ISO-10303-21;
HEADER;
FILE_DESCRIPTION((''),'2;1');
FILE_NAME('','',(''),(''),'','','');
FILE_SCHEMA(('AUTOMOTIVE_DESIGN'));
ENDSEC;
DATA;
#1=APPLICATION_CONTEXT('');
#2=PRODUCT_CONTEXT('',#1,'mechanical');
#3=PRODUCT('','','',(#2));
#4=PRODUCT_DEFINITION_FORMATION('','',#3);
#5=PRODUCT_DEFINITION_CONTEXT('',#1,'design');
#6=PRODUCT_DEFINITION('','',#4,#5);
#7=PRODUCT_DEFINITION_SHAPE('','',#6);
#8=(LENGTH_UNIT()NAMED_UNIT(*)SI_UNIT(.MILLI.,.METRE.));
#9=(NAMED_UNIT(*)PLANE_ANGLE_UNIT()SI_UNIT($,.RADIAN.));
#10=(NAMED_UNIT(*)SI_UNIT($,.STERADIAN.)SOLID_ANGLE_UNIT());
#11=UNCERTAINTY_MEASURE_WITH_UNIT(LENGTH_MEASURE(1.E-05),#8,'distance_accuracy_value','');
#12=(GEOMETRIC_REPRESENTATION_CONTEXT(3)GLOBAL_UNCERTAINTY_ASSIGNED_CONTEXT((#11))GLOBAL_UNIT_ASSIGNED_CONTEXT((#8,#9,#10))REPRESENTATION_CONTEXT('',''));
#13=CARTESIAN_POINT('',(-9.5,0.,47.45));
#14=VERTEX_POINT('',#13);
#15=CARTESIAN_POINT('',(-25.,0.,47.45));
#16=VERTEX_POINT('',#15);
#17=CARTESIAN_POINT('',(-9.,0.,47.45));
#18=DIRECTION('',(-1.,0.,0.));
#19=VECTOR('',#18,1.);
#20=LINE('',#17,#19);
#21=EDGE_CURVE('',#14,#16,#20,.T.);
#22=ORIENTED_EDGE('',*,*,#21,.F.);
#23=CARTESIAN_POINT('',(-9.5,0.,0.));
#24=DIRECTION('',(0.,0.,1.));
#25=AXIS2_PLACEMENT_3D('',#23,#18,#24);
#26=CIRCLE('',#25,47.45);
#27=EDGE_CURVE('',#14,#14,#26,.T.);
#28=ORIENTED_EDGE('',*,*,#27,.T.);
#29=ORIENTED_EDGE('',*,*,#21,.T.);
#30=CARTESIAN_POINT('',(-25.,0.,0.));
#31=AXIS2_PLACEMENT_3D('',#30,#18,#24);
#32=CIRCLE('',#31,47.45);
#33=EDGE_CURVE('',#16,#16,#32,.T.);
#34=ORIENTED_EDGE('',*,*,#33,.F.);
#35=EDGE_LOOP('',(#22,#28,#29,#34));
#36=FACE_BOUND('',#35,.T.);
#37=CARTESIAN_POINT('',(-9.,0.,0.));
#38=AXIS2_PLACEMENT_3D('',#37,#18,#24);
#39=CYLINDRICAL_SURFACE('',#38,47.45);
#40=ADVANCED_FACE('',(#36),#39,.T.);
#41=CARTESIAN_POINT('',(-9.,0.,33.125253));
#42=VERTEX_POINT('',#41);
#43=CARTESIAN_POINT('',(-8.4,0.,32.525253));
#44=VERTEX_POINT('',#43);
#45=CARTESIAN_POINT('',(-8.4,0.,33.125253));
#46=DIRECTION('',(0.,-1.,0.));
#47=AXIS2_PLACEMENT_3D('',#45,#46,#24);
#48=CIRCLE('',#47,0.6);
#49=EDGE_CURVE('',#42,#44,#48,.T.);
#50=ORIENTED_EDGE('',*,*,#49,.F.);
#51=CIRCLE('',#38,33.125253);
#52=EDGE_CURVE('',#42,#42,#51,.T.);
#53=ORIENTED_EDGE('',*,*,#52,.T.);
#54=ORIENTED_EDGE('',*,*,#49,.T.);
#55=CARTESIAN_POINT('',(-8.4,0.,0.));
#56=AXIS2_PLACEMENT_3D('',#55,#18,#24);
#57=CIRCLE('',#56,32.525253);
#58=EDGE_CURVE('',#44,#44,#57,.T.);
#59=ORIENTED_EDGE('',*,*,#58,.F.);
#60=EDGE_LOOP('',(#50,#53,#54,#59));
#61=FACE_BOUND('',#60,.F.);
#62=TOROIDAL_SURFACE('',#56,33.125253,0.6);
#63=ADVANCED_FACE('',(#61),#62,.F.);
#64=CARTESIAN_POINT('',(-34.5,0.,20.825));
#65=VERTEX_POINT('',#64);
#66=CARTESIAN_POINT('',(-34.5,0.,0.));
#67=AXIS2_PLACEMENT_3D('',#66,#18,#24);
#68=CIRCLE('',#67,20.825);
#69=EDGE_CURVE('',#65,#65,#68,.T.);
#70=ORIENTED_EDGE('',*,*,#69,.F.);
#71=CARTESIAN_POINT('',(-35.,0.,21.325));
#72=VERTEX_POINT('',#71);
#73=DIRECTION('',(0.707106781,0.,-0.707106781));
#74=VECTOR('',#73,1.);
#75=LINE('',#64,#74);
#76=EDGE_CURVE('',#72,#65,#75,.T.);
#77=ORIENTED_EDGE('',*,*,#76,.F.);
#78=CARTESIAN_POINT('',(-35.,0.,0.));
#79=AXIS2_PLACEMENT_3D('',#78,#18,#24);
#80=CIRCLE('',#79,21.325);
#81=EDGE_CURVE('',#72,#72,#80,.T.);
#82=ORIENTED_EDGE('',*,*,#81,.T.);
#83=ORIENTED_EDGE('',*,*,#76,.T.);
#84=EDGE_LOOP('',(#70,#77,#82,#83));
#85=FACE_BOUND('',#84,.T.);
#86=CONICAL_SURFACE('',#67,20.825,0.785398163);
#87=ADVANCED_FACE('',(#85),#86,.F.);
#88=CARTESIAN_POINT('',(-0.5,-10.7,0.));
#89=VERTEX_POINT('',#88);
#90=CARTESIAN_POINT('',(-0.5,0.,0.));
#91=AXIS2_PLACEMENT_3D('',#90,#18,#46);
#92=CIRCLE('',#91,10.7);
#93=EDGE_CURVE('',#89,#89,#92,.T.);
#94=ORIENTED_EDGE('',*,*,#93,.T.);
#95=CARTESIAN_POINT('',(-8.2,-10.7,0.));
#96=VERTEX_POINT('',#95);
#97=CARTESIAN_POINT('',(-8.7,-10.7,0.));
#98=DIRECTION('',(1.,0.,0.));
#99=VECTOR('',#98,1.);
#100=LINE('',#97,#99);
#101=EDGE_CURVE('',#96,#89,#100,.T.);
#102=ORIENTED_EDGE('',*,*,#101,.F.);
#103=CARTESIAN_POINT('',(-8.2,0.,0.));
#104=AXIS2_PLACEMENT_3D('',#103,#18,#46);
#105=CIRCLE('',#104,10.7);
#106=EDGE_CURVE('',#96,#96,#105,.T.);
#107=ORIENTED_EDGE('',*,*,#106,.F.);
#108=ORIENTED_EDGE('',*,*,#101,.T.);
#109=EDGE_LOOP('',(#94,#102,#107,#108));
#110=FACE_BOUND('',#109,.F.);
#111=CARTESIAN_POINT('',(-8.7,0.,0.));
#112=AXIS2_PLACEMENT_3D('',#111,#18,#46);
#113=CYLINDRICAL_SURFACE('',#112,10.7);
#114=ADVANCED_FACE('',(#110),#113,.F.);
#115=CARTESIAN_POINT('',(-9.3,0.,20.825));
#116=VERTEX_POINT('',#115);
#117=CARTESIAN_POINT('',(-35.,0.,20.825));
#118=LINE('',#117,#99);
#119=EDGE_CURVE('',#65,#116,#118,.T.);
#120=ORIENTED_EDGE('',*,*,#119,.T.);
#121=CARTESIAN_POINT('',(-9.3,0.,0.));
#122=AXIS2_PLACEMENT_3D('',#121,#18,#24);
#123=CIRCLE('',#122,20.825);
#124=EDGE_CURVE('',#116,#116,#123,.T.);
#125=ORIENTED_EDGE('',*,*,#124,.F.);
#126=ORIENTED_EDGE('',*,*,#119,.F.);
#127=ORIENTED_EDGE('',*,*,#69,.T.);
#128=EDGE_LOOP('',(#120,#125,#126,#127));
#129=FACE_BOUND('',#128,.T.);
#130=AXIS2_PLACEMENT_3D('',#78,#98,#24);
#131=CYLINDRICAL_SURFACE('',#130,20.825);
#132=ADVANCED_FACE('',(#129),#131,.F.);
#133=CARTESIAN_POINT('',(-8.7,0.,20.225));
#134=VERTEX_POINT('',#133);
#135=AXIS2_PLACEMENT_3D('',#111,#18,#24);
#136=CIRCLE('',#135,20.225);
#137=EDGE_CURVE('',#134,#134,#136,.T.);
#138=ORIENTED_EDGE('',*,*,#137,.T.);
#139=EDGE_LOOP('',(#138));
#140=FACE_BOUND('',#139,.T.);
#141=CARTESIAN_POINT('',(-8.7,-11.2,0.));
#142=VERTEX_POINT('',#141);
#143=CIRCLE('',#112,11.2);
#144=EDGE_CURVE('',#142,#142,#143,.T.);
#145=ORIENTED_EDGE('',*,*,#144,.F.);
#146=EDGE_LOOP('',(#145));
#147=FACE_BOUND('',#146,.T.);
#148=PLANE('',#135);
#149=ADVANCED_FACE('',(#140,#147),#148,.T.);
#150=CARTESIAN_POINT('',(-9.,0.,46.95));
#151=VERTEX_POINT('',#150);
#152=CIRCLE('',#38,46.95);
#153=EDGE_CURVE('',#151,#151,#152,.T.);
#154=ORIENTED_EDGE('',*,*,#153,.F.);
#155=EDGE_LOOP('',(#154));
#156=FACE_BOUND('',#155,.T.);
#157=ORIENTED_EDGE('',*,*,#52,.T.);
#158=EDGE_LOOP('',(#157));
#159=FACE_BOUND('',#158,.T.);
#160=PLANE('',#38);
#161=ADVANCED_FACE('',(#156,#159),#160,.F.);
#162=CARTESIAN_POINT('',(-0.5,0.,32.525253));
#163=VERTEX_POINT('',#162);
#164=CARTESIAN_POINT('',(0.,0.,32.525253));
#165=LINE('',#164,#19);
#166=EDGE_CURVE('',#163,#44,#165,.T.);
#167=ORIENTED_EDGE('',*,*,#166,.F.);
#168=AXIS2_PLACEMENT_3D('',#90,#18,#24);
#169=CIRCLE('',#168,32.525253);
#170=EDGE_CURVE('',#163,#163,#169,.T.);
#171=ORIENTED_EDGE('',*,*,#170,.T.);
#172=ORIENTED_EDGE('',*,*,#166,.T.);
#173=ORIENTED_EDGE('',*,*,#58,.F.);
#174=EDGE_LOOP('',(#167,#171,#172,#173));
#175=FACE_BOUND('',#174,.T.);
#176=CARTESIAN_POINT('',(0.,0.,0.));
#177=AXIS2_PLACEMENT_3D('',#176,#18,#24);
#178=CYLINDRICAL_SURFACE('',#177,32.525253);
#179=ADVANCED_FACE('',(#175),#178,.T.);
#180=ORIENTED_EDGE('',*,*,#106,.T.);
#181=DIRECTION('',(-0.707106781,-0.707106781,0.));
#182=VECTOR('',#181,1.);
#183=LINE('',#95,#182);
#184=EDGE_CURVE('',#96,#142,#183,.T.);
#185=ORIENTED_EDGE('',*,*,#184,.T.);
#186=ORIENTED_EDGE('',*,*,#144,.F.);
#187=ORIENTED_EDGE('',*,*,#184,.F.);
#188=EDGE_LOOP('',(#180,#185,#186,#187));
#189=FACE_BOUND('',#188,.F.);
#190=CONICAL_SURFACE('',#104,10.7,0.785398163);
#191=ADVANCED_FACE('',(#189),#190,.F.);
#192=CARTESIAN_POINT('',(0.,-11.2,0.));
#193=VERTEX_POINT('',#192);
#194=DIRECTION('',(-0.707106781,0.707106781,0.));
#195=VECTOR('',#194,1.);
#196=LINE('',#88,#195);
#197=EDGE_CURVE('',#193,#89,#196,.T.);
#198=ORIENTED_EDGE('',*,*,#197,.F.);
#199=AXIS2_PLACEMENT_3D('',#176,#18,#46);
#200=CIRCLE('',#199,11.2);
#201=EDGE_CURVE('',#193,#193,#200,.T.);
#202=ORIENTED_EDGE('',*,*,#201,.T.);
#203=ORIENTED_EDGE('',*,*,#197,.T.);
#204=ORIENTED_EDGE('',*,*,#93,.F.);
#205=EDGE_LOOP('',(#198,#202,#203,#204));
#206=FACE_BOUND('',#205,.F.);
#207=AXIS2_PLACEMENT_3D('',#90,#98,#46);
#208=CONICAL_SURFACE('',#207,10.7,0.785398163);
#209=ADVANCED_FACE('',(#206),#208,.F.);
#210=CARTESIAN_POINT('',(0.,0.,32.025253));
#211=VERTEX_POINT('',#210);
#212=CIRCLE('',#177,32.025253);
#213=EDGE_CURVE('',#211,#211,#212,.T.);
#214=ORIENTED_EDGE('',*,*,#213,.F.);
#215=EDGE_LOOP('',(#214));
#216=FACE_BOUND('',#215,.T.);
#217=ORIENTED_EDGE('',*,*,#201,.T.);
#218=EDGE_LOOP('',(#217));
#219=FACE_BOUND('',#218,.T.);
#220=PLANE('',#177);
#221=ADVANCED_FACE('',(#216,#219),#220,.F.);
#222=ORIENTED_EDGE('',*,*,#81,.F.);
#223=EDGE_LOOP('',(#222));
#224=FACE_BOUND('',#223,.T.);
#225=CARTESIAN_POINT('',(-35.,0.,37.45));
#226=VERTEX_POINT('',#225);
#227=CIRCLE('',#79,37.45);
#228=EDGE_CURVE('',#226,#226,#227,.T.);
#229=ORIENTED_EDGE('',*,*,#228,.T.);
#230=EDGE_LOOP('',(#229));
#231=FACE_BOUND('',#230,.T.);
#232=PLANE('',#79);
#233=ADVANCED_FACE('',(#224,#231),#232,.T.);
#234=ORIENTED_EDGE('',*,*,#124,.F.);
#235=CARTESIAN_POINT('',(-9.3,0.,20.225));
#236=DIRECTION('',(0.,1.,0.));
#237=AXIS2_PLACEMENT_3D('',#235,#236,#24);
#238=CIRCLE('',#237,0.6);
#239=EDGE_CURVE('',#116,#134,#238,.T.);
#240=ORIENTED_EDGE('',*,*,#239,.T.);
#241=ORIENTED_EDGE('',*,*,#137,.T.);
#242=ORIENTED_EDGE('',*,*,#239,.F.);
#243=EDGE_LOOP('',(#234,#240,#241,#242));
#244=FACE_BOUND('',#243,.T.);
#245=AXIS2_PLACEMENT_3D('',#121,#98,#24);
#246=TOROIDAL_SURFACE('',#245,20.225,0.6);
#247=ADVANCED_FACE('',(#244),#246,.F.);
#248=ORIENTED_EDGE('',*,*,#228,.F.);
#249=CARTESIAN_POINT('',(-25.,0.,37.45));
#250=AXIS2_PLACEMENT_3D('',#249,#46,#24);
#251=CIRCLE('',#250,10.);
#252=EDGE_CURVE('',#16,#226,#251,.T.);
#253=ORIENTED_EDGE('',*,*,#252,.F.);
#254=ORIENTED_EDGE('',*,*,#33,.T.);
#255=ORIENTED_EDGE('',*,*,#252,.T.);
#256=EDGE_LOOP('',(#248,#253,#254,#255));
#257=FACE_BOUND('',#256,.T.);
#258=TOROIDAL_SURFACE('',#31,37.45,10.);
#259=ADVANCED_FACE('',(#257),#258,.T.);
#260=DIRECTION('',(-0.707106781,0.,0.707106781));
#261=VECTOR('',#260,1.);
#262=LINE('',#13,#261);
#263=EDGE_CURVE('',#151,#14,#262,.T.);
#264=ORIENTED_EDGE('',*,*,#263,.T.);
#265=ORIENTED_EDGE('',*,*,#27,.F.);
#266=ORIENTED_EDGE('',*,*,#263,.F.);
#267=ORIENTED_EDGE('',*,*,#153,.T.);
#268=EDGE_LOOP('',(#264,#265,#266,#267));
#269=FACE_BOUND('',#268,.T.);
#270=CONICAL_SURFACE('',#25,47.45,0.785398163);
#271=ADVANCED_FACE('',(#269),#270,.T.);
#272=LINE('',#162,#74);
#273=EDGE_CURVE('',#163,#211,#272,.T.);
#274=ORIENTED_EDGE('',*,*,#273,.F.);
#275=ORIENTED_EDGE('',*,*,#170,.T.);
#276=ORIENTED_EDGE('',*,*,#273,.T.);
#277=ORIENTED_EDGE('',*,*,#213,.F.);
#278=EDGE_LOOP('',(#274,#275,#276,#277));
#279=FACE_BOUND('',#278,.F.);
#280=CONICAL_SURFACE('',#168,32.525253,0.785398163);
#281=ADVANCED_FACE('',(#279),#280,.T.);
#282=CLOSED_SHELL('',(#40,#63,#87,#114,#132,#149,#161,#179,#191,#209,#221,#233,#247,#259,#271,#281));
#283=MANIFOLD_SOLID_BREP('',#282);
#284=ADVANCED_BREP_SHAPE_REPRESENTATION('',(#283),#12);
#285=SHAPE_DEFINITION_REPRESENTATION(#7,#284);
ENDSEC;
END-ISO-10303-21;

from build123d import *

# Parameters (mm, degrees)
F2_R     = 10
F3_R     = 10.7
F4_DEPTH = 8.7
F5_R     = 0.6
F6_SIZE  = 0.5


with BuildPart() as f1:
    # F0 (on Front) → F1 (revolve)
    with BuildSketch(Plane.XZ):
        Polygon((-8.7, 0), (0, 0), (0, 32.525253), (-9, 32.525253), (-9, 47.45), (-35, 47.45), (-35, 20.825), (-8.7, 20.825), align=None)
    revolve(axis=Axis((-4.35, 0, 0), (-1, 0, 0)))

    # F2
    f2_edges = [f1.edges().sort_by_distance(p)[0] for p in [
        (-35, 0, -47.45),
    ]]
    fillet(f2_edges, radius=F2_R)

    # F3 (on face) → F4 (cut, through all)
    with BuildSketch(Plane(origin=(-8.7, 0, 0), x_dir=(0, -1, 0), z_dir=(-1, 0, 0))):
        Circle(F3_R)
    extrude(amount=-F4_DEPTH, mode=Mode.SUBTRACT)

    # F5
    f5_edges = [f1.edges().sort_by_distance(p)[0] for p in [
        (-8.7, 0, -20.825),
        (-9, 0, -32.525253),
    ]]
    fillet(f5_edges, radius=F5_R)

    # F6
    f6_edges = [f1.edges().sort_by_distance(p)[0] for p in [
        (-9, 0, -47.45),
        (0, 0, -32.525253),
        (0, 10.7, 0),
        (-8.7, 10.7, 0),
        (-35, 0, -20.825),
    ]]
    chamfer(f6_edges, length=F6_SIZE)


solid = f1.part
